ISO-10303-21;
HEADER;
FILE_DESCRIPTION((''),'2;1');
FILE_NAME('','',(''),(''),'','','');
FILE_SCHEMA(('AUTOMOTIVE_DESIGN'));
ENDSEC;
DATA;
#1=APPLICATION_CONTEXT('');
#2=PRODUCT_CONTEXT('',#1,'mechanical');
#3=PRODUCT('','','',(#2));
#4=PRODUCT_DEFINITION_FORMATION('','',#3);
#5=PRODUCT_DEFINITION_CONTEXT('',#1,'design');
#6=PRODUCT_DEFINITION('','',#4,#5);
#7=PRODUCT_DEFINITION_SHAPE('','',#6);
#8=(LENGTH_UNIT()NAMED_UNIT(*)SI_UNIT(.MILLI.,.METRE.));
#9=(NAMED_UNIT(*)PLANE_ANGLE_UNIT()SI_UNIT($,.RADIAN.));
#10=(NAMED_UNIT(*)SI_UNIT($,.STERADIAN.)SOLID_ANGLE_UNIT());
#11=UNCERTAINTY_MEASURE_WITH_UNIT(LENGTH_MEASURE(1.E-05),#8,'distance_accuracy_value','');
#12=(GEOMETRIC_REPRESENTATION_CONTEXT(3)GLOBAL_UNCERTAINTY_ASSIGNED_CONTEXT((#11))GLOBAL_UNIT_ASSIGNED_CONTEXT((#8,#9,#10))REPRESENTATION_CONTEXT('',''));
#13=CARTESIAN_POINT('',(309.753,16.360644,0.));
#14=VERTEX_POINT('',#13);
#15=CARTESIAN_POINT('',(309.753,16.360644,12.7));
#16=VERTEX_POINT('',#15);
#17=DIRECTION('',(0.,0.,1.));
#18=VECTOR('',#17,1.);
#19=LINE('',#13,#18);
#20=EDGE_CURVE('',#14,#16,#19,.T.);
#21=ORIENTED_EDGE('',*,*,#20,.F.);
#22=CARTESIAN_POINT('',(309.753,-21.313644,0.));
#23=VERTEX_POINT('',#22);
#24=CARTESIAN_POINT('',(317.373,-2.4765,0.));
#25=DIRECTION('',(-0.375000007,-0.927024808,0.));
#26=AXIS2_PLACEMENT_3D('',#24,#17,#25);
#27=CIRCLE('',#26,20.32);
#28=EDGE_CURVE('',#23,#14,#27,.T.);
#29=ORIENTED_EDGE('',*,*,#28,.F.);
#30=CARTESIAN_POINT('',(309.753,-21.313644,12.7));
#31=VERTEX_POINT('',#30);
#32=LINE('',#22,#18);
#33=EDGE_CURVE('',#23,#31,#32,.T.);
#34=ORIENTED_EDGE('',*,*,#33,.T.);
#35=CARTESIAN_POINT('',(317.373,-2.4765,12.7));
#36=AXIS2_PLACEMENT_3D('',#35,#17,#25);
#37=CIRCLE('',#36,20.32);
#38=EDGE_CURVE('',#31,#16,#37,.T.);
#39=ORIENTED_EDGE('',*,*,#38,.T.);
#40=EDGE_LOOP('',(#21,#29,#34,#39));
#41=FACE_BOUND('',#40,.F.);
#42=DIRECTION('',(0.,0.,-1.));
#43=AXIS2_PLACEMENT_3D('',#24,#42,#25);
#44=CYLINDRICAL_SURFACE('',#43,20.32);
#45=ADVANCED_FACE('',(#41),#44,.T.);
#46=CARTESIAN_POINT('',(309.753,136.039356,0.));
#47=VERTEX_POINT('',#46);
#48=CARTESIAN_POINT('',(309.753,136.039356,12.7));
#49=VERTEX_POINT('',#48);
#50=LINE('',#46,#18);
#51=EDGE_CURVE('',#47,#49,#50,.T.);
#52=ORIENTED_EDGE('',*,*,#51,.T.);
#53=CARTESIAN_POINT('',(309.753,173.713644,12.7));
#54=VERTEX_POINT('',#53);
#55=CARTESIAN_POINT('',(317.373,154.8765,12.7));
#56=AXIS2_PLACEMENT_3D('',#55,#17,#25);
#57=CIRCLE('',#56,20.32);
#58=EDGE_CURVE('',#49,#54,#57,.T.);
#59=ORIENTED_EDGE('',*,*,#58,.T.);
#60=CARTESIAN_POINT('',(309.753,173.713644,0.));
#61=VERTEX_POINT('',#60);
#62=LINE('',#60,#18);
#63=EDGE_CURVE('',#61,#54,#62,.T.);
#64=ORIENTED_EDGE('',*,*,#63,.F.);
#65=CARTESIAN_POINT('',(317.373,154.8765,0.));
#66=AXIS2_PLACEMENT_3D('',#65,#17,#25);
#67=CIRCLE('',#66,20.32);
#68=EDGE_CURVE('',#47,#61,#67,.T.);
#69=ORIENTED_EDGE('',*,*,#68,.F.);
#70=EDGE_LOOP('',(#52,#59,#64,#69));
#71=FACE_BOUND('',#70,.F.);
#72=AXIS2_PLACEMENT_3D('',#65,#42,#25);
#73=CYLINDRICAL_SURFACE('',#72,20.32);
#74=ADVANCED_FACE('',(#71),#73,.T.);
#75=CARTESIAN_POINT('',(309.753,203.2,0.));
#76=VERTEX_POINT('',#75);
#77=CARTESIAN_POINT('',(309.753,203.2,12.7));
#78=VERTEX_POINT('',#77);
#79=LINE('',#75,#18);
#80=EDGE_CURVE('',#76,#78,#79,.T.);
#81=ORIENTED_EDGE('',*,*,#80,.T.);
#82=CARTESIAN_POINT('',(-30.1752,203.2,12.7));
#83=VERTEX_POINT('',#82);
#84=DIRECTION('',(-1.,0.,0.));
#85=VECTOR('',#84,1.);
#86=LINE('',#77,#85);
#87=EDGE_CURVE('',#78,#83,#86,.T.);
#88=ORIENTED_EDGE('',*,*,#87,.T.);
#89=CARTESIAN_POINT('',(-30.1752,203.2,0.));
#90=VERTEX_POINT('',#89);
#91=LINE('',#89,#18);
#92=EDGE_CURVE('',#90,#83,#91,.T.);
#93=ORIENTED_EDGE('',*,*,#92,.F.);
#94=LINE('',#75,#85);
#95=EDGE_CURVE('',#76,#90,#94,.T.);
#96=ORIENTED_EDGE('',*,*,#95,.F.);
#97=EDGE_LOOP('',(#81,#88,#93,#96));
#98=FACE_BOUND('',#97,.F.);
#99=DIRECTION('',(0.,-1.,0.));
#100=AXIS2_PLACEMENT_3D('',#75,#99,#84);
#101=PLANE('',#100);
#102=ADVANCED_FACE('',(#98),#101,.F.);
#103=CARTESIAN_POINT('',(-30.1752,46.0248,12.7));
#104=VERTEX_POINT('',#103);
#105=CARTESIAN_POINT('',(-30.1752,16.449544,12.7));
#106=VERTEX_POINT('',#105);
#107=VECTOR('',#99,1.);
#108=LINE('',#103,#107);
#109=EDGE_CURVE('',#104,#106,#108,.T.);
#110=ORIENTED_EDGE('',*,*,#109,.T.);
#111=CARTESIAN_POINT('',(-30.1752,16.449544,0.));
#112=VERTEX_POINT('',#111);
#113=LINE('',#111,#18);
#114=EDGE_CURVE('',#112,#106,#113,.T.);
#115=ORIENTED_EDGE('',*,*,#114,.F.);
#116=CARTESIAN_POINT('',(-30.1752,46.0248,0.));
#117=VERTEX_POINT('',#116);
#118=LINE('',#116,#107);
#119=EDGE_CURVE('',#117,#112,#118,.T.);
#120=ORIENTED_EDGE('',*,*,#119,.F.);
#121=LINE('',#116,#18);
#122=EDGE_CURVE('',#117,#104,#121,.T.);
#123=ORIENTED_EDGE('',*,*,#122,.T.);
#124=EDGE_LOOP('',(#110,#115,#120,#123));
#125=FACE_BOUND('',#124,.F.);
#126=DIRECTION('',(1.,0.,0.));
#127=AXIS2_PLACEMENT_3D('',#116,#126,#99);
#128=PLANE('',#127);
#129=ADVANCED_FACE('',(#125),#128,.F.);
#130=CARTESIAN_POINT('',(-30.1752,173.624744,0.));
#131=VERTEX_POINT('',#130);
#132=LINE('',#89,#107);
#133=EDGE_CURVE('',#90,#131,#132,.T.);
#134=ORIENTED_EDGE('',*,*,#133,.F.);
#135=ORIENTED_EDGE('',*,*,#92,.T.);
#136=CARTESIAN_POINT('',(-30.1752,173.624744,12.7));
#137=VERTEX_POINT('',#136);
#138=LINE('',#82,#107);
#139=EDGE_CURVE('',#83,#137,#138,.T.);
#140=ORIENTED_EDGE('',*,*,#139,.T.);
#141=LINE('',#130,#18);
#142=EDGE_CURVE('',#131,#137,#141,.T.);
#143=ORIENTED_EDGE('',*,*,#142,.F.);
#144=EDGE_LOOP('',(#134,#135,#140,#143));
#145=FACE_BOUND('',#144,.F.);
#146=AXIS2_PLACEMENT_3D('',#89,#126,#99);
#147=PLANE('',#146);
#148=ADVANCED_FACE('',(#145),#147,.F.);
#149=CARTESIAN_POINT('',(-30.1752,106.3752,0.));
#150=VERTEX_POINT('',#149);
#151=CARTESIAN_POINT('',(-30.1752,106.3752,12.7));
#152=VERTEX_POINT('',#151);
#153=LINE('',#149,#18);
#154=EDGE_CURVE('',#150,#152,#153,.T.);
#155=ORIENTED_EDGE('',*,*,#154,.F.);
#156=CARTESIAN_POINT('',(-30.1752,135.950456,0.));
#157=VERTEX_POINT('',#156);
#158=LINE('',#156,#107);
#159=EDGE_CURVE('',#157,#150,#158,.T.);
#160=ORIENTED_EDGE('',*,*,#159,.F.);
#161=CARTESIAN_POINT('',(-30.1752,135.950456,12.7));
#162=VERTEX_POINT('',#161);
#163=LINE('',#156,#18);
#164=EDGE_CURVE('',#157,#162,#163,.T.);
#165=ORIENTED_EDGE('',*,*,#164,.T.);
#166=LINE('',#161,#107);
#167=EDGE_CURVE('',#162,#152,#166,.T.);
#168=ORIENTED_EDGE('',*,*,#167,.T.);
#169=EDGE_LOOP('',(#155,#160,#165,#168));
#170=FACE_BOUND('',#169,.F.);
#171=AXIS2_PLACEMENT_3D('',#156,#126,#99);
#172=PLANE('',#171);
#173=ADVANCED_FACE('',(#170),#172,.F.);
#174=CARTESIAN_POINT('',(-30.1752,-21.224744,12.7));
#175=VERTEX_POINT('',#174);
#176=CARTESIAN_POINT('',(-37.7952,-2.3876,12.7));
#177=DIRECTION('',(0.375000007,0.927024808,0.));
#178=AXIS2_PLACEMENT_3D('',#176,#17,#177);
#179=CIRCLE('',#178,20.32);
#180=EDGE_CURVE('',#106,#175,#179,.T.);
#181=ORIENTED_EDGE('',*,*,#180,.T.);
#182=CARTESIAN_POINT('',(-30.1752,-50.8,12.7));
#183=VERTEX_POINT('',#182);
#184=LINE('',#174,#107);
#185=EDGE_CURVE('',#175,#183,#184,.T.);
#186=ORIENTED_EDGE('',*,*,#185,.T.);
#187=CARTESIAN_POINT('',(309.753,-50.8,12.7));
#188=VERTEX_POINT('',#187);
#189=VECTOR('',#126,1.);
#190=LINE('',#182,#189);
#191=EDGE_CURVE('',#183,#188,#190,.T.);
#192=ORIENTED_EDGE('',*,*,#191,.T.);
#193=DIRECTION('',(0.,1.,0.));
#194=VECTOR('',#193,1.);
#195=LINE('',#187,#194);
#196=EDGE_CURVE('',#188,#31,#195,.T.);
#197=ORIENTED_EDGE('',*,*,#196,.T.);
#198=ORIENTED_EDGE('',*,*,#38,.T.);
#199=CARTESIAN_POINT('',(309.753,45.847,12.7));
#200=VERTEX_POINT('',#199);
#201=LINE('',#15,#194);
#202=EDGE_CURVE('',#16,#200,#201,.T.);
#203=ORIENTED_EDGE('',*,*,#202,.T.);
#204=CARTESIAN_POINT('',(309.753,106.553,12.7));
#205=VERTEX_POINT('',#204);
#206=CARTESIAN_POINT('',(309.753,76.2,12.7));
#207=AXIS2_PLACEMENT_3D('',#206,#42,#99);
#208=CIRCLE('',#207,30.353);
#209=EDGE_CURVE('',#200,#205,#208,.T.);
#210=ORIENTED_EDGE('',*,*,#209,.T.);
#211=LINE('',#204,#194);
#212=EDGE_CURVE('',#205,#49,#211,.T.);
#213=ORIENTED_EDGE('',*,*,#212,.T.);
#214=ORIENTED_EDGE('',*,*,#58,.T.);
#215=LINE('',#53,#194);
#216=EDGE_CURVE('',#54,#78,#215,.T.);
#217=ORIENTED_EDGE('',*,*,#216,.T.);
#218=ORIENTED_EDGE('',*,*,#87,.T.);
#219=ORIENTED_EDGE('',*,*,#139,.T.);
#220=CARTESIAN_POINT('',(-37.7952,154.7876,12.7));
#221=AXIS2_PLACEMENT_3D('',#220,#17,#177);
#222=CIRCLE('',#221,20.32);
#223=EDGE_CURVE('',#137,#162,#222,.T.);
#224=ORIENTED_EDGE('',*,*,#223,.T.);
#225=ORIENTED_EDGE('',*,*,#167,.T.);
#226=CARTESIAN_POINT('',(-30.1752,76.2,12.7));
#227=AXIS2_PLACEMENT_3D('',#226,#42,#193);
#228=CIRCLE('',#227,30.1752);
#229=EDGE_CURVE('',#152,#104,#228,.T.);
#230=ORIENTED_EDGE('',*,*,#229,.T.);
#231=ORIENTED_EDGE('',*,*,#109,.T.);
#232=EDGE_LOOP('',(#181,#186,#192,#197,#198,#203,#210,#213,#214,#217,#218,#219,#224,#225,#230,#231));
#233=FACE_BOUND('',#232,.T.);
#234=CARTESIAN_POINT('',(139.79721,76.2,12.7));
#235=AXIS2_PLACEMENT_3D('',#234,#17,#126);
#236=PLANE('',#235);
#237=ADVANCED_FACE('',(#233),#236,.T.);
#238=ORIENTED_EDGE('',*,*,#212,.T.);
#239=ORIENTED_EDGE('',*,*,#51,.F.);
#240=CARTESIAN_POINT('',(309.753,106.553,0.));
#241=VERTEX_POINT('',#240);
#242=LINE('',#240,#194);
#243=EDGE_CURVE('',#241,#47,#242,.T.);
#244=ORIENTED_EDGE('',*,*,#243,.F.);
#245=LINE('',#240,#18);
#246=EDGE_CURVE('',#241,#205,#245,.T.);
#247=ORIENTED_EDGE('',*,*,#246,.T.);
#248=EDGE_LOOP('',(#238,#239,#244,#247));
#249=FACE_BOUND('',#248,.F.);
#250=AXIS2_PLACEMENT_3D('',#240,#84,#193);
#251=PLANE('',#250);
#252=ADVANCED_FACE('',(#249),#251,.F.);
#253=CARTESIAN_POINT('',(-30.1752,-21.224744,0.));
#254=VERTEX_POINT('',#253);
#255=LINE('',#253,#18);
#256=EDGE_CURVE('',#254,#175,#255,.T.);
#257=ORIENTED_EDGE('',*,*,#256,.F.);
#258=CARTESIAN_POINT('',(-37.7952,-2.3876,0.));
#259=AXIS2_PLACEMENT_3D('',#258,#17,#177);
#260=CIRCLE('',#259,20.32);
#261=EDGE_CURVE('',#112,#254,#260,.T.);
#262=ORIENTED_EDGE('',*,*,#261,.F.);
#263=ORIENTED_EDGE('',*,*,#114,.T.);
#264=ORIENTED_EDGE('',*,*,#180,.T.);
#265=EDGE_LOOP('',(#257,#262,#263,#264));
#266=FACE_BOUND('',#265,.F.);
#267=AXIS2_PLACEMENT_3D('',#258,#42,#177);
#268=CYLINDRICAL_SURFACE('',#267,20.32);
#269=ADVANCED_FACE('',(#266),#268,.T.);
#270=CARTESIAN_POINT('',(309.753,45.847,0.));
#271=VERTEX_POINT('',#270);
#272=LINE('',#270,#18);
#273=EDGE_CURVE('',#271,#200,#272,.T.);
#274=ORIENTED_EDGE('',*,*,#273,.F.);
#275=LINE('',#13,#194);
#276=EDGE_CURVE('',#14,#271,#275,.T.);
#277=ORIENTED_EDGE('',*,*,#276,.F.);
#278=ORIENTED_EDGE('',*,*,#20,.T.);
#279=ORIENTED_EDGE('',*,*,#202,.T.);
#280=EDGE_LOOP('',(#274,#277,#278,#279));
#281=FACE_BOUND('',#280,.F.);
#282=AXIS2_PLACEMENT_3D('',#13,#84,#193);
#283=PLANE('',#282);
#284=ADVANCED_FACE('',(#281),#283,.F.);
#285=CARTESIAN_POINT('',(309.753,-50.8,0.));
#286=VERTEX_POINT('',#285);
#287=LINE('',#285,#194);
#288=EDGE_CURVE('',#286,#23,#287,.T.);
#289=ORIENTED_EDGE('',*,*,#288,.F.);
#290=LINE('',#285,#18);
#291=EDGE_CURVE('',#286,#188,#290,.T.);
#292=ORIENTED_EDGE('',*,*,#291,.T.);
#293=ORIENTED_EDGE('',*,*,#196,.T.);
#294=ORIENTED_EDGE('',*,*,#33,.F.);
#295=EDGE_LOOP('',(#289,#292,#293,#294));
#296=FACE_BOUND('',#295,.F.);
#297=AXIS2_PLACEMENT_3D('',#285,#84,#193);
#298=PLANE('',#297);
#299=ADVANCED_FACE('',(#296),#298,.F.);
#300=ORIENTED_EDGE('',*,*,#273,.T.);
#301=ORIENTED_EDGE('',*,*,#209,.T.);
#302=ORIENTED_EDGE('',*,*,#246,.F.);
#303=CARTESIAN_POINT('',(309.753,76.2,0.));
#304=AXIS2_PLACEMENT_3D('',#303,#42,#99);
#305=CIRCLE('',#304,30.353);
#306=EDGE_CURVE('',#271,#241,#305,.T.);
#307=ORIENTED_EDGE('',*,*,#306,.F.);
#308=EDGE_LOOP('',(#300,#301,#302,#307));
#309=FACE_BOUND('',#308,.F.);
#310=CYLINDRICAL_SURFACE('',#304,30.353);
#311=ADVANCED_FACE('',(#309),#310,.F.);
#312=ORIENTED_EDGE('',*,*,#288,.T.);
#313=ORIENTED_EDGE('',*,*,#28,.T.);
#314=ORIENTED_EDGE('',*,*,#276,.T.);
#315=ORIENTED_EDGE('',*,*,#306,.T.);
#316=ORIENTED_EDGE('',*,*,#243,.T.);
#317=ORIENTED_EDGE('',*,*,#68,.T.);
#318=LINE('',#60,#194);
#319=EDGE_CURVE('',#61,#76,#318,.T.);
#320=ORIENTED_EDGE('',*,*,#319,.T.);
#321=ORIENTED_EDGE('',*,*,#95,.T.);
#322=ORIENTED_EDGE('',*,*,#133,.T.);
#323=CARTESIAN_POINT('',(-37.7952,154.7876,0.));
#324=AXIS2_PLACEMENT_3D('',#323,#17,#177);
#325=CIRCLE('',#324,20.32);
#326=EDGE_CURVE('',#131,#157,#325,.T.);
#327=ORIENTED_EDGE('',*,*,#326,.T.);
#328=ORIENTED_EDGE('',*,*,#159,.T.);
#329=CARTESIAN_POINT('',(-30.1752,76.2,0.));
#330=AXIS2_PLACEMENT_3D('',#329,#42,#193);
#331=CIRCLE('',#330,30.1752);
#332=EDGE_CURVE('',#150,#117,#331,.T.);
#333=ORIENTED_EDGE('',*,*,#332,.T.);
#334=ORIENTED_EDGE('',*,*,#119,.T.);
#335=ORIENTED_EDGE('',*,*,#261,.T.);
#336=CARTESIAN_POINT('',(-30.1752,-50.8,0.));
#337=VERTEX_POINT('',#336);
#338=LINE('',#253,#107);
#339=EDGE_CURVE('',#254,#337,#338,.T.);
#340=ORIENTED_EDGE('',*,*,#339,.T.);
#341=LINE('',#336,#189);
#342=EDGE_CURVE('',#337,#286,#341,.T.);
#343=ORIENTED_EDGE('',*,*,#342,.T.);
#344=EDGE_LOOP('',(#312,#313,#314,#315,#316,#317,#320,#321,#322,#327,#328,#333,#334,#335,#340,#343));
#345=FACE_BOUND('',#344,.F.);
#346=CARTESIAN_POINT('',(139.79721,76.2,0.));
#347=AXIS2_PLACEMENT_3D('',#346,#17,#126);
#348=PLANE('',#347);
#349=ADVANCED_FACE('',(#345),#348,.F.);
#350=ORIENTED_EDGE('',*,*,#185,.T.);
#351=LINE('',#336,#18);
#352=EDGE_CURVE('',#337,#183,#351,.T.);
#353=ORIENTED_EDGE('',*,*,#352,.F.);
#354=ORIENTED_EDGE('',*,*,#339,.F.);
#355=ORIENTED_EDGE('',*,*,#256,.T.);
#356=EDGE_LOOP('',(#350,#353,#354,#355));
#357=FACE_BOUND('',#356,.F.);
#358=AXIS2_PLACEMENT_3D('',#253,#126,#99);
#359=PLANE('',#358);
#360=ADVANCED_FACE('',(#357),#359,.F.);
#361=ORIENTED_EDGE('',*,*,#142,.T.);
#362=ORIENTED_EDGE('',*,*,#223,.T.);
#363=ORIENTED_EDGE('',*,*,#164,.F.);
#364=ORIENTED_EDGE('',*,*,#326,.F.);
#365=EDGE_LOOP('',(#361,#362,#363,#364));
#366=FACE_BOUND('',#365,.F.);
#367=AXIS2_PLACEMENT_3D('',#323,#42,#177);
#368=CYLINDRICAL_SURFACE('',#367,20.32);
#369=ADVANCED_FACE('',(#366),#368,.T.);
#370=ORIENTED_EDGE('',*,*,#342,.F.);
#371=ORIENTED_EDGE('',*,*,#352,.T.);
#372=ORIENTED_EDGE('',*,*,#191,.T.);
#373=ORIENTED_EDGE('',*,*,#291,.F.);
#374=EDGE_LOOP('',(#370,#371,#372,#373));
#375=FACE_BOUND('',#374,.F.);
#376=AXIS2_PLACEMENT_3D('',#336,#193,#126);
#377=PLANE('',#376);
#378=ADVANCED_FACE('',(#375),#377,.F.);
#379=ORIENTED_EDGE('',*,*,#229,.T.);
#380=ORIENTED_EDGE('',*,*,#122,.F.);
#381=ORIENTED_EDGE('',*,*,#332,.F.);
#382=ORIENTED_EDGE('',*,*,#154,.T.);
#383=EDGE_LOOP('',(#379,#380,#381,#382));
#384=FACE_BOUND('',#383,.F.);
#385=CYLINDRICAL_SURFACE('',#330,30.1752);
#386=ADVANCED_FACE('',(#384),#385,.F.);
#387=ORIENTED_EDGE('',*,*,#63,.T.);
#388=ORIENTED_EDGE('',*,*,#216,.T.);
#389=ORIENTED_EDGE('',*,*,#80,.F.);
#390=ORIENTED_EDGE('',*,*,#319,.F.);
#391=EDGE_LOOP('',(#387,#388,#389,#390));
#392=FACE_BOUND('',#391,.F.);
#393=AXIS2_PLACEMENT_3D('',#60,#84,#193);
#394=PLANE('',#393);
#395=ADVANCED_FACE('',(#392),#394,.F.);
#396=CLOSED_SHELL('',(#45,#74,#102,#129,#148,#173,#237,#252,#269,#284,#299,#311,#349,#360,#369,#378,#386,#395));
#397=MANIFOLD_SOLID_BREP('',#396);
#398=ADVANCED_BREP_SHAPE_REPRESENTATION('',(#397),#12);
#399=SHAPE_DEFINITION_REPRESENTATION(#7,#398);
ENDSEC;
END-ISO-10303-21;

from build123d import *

# Parameters (mm, degrees)
F1_DEPTH = 12.7


with BuildPart() as f1:
    # F0 (on Top) → F1 (new body)
    with BuildSketch(Plane.XY):
        with BuildLine():
            ThreePointArc((-30.1752, 106.3752), (0, 76.2), (-30.1752, 46.0248))
            Line((-30.1752, 46.0248), (-30.1752, 16.449544))
            ThreePointArc((-30.1752, 16.449544), (-58.1152, -2.3876), (-30.1752, -21.224744))
            Line((-30.1752, -21.224744), (-30.1752, -50.8))
            Line((-30.1752, -50.8), (309.753, -50.8))
            Line((309.753, -50.8), (309.753, -21.313644))
            ThreePointArc((309.753, -21.313644), (337.693, -2.4765), (309.753, 16.360644))
            Line((309.753, 16.360644), (309.753, 45.847))
            ThreePointArc((309.753, 45.847), (279.4, 76.2), (309.753, 106.553))
            Line((309.753, 106.553), (309.753, 136.039356))
            ThreePointArc((309.753, 136.039356), (337.693, 154.8765), (309.753, 173.713644))
            Line((309.753, 173.713644), (309.753, 203.2))
            Line((309.753, 203.2), (-30.1752, 203.2))
            Line((-30.1752, 203.2), (-30.1752, 173.624744))
            ThreePointArc((-30.1752, 173.624744), (-58.1152, 154.7876), (-30.1752, 135.950456))
            Line((-30.1752, 135.950456), (-30.1752, 106.3752))
        make_face()
    extrude(amount=F1_DEPTH)


solid = f1.part
